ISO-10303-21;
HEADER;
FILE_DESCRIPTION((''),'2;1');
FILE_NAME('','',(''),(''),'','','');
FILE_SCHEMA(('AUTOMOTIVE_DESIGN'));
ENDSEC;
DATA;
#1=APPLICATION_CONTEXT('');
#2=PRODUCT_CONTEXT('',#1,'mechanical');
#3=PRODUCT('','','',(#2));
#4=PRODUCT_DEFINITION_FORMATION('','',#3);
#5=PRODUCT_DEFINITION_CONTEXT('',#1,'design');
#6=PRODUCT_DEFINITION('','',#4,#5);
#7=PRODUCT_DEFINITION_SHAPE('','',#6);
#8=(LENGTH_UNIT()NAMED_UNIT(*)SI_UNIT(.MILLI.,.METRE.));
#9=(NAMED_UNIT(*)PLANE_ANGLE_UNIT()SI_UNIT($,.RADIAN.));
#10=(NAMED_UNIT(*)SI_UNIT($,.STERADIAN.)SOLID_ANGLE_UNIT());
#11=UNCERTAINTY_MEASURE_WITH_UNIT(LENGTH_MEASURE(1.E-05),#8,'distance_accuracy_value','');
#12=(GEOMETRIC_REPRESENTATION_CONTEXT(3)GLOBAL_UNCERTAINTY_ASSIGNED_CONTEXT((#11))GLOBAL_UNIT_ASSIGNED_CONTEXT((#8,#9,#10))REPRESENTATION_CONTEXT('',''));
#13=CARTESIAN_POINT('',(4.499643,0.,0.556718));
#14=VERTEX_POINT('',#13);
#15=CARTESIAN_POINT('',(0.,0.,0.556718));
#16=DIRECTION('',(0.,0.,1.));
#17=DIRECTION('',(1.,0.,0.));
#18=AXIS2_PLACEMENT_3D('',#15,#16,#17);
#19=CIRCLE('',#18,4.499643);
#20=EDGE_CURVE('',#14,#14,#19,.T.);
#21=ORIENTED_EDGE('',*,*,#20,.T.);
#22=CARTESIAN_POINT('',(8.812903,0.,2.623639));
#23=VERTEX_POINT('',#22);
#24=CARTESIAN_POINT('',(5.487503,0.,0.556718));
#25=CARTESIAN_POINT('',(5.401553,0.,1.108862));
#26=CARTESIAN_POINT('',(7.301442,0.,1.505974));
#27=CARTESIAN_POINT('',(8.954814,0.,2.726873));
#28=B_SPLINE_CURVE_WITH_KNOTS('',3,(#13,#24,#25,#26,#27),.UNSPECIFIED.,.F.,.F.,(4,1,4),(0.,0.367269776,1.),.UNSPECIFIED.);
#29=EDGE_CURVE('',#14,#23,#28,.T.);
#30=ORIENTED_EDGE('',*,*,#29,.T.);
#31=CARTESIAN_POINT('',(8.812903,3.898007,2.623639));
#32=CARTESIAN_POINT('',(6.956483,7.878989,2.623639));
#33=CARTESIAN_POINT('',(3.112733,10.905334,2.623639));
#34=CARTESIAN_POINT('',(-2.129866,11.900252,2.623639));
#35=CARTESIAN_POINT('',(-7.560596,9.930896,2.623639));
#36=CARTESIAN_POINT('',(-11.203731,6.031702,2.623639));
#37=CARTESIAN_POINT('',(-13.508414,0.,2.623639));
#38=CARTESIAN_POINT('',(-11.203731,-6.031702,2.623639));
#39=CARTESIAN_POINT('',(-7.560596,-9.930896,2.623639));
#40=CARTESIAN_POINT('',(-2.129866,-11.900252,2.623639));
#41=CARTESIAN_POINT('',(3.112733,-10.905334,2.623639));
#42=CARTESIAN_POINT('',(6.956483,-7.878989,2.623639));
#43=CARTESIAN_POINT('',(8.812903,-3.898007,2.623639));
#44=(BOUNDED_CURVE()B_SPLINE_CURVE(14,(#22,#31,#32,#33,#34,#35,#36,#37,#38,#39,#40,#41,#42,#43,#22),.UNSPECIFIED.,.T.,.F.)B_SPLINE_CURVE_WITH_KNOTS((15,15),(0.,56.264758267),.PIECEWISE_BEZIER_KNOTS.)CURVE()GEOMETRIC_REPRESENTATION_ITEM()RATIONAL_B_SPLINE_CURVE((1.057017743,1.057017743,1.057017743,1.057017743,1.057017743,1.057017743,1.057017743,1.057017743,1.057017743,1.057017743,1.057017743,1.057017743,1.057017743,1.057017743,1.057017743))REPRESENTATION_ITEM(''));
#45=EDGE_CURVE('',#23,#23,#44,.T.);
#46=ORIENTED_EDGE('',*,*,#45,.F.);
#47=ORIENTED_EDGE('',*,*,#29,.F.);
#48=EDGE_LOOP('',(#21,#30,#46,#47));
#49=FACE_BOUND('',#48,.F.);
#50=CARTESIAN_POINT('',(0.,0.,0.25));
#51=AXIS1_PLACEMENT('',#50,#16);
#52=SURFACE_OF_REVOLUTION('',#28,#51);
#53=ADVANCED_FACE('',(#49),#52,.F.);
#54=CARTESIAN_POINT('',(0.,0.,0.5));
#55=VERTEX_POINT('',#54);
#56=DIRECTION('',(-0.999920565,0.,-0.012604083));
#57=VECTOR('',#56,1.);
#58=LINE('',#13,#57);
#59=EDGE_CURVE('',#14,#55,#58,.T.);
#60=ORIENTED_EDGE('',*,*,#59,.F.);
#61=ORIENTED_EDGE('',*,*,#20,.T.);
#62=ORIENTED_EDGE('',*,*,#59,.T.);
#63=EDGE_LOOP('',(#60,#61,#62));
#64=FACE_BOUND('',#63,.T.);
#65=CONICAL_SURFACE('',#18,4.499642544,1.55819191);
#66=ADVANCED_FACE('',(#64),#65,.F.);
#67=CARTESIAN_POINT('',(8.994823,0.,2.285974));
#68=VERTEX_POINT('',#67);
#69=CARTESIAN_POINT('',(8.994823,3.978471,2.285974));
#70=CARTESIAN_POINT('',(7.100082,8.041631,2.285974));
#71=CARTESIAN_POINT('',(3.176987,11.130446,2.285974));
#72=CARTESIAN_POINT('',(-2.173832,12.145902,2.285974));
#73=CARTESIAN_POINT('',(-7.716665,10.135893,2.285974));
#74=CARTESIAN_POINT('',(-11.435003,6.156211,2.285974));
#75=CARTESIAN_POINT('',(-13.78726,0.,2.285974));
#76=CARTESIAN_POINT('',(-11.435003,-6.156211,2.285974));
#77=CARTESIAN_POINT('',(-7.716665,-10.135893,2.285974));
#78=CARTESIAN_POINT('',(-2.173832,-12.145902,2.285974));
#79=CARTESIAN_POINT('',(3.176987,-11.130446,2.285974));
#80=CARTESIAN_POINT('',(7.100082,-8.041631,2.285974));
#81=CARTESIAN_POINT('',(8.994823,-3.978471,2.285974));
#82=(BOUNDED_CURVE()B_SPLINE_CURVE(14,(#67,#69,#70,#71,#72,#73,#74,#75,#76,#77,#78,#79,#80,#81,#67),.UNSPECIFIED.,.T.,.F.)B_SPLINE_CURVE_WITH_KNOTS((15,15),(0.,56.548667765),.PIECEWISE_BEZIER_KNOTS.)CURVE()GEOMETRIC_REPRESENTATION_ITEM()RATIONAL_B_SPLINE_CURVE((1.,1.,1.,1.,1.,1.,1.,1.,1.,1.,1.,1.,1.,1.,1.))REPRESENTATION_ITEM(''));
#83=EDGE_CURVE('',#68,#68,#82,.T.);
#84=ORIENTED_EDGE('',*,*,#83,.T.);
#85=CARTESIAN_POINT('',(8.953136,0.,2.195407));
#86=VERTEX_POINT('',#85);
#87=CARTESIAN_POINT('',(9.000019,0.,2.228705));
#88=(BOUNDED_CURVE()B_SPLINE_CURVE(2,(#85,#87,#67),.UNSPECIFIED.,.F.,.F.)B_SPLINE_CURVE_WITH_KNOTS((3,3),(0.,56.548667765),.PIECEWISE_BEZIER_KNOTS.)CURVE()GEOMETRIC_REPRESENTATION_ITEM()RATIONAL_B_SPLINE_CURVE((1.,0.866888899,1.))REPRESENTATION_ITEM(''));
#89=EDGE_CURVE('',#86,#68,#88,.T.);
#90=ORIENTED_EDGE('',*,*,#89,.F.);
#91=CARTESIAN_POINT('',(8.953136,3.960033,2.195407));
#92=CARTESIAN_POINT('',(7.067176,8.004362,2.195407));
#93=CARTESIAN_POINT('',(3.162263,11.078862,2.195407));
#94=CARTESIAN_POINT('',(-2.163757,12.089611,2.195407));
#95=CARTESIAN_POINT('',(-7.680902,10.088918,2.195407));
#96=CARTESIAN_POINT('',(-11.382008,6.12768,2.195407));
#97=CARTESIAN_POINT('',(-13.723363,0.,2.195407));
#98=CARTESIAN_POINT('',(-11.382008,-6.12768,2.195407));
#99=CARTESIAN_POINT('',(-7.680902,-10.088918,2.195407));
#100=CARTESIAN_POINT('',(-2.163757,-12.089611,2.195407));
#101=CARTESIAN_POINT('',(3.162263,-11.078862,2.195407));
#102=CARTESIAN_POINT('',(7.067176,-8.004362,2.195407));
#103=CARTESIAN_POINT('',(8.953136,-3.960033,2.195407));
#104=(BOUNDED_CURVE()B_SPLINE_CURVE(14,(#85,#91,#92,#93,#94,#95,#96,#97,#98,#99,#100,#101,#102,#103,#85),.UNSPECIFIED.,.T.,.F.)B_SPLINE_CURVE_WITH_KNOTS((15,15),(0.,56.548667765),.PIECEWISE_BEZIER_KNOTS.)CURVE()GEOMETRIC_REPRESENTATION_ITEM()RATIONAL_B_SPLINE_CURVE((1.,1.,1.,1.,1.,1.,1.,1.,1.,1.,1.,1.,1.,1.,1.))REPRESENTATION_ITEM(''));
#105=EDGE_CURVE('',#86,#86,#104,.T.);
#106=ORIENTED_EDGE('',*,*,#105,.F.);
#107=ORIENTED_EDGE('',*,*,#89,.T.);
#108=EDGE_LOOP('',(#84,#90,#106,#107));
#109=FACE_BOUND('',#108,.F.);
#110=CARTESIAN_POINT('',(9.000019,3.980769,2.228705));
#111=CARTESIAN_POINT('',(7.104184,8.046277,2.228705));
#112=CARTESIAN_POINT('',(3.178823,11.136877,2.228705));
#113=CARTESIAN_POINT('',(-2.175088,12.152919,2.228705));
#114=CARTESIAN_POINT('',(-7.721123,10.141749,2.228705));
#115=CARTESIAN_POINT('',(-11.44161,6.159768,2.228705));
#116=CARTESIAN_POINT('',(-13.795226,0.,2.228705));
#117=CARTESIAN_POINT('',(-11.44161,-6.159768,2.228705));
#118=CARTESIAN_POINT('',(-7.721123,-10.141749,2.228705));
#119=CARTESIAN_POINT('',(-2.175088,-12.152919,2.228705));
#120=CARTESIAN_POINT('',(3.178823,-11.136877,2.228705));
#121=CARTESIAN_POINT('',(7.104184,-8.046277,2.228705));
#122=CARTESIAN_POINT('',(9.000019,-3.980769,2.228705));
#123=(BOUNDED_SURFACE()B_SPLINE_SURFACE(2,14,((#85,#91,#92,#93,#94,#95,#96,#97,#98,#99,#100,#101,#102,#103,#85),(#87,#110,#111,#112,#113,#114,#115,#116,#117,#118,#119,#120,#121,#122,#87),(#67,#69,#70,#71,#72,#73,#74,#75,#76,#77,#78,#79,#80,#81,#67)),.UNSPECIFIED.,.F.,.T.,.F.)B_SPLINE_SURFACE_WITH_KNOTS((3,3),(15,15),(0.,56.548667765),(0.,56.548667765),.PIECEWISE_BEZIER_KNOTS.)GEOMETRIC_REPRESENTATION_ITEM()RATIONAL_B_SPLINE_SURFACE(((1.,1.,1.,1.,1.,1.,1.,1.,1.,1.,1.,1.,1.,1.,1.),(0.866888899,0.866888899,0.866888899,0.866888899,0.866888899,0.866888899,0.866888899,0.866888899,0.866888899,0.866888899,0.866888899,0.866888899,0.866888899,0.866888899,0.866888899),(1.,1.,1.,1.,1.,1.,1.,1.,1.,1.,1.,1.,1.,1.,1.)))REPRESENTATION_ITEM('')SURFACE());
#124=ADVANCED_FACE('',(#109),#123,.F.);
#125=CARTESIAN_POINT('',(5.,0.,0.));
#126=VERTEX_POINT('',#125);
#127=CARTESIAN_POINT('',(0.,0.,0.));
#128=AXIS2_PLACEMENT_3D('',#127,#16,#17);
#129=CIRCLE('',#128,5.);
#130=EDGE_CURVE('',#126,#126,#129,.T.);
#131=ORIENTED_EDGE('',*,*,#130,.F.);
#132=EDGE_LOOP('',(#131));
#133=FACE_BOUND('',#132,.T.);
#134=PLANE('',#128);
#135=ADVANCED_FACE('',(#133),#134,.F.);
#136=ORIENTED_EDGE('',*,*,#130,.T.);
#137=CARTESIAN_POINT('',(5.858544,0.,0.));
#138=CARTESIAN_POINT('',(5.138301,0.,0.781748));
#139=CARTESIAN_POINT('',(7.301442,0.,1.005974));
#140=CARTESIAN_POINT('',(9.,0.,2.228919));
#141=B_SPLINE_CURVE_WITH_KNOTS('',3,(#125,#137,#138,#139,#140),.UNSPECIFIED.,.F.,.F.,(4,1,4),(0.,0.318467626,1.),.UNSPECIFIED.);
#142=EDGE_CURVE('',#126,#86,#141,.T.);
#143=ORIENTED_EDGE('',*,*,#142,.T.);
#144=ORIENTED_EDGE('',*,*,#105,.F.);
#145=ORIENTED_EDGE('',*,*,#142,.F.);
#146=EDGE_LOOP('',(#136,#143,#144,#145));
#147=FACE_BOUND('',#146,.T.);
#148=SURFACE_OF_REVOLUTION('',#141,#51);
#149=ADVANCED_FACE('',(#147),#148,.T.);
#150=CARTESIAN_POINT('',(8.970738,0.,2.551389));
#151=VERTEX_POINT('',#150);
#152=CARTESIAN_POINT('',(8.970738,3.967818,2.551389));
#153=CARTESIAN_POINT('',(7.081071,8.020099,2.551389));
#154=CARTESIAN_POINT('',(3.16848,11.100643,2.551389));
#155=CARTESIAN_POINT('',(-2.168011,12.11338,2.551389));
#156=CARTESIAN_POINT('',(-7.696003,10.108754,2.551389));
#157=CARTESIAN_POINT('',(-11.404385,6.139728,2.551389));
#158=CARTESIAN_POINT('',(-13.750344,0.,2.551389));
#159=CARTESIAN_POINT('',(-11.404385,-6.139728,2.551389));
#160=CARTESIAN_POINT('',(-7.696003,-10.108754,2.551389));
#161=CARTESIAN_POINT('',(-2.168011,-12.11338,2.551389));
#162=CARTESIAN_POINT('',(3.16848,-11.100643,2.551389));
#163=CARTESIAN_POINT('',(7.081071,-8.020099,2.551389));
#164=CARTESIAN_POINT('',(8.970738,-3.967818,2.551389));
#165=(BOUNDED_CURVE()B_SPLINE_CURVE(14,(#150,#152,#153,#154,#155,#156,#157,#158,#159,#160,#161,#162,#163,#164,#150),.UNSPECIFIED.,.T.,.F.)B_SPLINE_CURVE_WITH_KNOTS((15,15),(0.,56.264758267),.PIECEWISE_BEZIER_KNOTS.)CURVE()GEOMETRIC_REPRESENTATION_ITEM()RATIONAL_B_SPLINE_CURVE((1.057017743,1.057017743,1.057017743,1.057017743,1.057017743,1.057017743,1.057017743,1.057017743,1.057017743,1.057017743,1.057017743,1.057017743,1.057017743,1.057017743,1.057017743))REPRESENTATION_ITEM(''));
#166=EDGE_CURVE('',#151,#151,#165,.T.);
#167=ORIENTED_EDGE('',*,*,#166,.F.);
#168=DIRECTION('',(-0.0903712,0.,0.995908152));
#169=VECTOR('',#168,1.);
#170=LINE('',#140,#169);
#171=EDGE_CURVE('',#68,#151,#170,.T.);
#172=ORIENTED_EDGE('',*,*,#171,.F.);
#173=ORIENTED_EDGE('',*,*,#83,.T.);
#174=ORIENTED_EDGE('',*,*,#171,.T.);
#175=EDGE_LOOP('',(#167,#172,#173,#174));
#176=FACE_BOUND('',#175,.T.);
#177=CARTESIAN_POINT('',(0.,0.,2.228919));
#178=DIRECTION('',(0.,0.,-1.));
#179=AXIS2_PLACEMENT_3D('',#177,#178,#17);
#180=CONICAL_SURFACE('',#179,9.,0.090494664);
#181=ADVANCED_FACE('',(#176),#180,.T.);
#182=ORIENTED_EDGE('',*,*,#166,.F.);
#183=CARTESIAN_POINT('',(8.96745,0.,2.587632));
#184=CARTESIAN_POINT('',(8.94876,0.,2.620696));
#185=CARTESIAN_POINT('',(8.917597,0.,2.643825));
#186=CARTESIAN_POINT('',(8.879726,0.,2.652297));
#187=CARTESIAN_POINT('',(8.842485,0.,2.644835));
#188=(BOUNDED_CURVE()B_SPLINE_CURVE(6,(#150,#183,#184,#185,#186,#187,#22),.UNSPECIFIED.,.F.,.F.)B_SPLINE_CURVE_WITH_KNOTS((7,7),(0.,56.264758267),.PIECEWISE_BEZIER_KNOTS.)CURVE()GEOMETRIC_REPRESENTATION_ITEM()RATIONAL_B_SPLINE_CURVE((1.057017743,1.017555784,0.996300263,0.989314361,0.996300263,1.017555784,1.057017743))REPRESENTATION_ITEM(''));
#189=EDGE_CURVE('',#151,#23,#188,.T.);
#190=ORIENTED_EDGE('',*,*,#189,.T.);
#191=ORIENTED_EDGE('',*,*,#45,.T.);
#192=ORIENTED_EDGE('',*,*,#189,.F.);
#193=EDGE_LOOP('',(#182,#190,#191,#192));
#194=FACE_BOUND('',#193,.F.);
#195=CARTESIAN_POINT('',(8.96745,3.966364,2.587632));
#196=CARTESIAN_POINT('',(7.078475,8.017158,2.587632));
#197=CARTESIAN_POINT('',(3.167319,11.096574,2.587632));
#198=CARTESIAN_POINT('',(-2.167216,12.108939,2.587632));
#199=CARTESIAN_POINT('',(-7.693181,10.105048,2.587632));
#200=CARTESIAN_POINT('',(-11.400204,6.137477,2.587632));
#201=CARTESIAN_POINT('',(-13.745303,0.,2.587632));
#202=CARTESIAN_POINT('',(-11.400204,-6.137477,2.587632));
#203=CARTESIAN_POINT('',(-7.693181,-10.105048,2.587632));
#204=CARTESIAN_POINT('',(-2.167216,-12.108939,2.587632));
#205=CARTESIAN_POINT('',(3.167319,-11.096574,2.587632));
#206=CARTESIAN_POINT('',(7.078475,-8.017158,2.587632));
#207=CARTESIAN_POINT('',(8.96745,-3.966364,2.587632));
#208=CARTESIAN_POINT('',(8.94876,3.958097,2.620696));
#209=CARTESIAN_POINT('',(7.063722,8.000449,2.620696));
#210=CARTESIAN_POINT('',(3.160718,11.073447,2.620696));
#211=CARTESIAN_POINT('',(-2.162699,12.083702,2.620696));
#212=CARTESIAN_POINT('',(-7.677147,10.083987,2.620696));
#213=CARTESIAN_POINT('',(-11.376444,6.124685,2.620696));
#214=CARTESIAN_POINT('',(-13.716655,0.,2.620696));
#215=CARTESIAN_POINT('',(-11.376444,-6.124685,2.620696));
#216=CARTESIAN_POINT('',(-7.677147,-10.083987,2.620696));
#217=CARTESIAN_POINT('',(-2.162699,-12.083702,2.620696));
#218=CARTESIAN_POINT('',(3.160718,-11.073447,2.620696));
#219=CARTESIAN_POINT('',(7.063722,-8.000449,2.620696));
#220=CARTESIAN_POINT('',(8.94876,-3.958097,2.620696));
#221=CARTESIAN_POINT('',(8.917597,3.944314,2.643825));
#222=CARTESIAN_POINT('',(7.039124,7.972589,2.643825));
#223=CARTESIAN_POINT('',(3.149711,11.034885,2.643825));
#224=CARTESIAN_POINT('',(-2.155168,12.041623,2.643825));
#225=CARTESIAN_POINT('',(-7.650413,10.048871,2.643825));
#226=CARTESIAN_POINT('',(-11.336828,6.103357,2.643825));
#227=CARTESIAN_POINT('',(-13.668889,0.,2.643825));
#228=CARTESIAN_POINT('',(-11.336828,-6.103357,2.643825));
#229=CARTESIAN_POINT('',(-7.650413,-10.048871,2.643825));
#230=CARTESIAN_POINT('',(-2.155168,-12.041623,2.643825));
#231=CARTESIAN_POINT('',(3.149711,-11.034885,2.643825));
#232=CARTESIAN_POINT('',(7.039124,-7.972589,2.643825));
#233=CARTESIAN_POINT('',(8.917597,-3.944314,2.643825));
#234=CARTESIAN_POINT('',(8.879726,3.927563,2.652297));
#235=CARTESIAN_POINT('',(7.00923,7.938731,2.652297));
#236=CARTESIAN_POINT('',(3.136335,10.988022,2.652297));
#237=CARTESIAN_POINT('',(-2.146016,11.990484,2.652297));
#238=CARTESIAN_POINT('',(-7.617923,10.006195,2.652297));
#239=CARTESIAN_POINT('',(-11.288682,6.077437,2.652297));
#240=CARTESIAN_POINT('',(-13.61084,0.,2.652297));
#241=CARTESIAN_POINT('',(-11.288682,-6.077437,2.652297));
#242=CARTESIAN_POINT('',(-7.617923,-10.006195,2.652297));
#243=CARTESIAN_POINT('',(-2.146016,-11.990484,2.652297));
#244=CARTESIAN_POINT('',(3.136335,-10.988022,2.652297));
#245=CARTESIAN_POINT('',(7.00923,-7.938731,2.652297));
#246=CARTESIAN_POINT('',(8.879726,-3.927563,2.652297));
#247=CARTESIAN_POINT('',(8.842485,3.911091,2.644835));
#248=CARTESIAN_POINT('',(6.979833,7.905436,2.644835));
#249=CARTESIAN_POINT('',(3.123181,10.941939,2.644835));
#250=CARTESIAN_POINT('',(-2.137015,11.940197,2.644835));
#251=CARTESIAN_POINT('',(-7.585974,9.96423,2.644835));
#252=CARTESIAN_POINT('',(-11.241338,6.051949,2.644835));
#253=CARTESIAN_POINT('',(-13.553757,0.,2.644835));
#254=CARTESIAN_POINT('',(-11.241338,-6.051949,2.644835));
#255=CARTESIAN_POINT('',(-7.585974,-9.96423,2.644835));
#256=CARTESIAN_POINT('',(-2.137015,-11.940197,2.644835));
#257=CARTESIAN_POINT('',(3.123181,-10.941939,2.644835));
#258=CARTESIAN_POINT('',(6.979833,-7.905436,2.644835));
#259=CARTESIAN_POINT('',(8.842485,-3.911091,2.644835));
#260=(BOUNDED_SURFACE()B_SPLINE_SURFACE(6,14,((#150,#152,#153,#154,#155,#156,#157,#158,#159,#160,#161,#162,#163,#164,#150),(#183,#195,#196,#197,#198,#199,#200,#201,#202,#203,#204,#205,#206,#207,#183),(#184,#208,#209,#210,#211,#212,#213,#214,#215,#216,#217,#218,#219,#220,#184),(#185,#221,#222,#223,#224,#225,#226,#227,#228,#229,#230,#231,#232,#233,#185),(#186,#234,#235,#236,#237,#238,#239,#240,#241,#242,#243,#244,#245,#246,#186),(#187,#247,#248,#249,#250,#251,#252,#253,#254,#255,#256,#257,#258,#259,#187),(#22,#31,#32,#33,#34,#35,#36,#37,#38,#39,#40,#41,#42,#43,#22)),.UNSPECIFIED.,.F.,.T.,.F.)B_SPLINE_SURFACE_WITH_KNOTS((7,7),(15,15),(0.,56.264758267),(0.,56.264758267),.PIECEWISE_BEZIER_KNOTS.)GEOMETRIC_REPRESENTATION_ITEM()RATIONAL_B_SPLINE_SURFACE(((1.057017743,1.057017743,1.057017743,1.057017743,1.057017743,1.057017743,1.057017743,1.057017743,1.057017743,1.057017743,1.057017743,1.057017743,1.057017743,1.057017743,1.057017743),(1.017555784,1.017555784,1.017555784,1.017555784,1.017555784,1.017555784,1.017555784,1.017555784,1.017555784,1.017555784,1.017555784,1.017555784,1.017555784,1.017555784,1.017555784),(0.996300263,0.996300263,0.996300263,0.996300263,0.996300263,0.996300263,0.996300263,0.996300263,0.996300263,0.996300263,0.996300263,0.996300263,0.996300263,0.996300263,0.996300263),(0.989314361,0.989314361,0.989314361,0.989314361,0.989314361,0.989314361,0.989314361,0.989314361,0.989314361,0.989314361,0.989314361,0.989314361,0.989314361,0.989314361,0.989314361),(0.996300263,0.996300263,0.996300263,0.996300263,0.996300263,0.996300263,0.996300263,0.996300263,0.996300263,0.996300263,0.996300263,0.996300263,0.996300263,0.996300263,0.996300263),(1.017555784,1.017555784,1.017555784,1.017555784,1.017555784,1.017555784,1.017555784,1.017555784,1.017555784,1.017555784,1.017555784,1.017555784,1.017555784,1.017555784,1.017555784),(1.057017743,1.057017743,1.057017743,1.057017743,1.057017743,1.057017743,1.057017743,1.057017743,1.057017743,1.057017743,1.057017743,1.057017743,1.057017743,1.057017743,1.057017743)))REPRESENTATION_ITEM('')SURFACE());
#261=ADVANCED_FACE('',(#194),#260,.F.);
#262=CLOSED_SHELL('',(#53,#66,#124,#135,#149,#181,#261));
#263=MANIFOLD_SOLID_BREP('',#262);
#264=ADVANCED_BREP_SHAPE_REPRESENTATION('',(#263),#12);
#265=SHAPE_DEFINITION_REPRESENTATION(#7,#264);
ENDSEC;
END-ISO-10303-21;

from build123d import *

# Parameters (mm, degrees)
F2_R = 0.1


with BuildPart() as f1:
    # F0 (on Front) → F1 (revolve)
    with BuildSketch(Plane.XZ):
        with BuildLine():
            Line((0, 0.5), (0, 0))
            Line((0, 0), (5, 0))
            add(Edge.make_bspline(
                [(5, 0), (5.8585440212, 0), (5.1383011794, 0.7817476), (7.3014419601, 1.0059741805), (9, 2.2289193865)],
                knots=[0, 0, 0, 0, 0.3184676265, 1, 1, 1, 1], degree=3))
            Line((9, 2.2289193865), (8.9548144001, 2.7268734622))
            add(Edge.make_bspline(
                [(4.4996425443, 0.5567183738), (5.4875025513, 0.5567183738), (5.401553443, 1.1088618921), (7.3014419601, 1.5059741805), (8.9548144001, 2.7268734622)],
                knots=[0, 0, 0, 0, 0.3672697761, 1, 1, 1, 1], degree=3))
            Line((4.4996425443, 0.5567183738), (0, 0.5))
        make_face()
    revolve(axis=Axis((0, 0, 0.25), (0, 0, 1)))

    # F2
    f2_edges = [f1.edges().sort_by_distance(p)[0] for p in [
        (-8.954814, 0, 2.726873),
        (-9, 0, 2.228919),
        (-4.499643, 0, 0.556718),
    ]]
    fillet(f2_edges, radius=F2_R)


solid = f1.part
